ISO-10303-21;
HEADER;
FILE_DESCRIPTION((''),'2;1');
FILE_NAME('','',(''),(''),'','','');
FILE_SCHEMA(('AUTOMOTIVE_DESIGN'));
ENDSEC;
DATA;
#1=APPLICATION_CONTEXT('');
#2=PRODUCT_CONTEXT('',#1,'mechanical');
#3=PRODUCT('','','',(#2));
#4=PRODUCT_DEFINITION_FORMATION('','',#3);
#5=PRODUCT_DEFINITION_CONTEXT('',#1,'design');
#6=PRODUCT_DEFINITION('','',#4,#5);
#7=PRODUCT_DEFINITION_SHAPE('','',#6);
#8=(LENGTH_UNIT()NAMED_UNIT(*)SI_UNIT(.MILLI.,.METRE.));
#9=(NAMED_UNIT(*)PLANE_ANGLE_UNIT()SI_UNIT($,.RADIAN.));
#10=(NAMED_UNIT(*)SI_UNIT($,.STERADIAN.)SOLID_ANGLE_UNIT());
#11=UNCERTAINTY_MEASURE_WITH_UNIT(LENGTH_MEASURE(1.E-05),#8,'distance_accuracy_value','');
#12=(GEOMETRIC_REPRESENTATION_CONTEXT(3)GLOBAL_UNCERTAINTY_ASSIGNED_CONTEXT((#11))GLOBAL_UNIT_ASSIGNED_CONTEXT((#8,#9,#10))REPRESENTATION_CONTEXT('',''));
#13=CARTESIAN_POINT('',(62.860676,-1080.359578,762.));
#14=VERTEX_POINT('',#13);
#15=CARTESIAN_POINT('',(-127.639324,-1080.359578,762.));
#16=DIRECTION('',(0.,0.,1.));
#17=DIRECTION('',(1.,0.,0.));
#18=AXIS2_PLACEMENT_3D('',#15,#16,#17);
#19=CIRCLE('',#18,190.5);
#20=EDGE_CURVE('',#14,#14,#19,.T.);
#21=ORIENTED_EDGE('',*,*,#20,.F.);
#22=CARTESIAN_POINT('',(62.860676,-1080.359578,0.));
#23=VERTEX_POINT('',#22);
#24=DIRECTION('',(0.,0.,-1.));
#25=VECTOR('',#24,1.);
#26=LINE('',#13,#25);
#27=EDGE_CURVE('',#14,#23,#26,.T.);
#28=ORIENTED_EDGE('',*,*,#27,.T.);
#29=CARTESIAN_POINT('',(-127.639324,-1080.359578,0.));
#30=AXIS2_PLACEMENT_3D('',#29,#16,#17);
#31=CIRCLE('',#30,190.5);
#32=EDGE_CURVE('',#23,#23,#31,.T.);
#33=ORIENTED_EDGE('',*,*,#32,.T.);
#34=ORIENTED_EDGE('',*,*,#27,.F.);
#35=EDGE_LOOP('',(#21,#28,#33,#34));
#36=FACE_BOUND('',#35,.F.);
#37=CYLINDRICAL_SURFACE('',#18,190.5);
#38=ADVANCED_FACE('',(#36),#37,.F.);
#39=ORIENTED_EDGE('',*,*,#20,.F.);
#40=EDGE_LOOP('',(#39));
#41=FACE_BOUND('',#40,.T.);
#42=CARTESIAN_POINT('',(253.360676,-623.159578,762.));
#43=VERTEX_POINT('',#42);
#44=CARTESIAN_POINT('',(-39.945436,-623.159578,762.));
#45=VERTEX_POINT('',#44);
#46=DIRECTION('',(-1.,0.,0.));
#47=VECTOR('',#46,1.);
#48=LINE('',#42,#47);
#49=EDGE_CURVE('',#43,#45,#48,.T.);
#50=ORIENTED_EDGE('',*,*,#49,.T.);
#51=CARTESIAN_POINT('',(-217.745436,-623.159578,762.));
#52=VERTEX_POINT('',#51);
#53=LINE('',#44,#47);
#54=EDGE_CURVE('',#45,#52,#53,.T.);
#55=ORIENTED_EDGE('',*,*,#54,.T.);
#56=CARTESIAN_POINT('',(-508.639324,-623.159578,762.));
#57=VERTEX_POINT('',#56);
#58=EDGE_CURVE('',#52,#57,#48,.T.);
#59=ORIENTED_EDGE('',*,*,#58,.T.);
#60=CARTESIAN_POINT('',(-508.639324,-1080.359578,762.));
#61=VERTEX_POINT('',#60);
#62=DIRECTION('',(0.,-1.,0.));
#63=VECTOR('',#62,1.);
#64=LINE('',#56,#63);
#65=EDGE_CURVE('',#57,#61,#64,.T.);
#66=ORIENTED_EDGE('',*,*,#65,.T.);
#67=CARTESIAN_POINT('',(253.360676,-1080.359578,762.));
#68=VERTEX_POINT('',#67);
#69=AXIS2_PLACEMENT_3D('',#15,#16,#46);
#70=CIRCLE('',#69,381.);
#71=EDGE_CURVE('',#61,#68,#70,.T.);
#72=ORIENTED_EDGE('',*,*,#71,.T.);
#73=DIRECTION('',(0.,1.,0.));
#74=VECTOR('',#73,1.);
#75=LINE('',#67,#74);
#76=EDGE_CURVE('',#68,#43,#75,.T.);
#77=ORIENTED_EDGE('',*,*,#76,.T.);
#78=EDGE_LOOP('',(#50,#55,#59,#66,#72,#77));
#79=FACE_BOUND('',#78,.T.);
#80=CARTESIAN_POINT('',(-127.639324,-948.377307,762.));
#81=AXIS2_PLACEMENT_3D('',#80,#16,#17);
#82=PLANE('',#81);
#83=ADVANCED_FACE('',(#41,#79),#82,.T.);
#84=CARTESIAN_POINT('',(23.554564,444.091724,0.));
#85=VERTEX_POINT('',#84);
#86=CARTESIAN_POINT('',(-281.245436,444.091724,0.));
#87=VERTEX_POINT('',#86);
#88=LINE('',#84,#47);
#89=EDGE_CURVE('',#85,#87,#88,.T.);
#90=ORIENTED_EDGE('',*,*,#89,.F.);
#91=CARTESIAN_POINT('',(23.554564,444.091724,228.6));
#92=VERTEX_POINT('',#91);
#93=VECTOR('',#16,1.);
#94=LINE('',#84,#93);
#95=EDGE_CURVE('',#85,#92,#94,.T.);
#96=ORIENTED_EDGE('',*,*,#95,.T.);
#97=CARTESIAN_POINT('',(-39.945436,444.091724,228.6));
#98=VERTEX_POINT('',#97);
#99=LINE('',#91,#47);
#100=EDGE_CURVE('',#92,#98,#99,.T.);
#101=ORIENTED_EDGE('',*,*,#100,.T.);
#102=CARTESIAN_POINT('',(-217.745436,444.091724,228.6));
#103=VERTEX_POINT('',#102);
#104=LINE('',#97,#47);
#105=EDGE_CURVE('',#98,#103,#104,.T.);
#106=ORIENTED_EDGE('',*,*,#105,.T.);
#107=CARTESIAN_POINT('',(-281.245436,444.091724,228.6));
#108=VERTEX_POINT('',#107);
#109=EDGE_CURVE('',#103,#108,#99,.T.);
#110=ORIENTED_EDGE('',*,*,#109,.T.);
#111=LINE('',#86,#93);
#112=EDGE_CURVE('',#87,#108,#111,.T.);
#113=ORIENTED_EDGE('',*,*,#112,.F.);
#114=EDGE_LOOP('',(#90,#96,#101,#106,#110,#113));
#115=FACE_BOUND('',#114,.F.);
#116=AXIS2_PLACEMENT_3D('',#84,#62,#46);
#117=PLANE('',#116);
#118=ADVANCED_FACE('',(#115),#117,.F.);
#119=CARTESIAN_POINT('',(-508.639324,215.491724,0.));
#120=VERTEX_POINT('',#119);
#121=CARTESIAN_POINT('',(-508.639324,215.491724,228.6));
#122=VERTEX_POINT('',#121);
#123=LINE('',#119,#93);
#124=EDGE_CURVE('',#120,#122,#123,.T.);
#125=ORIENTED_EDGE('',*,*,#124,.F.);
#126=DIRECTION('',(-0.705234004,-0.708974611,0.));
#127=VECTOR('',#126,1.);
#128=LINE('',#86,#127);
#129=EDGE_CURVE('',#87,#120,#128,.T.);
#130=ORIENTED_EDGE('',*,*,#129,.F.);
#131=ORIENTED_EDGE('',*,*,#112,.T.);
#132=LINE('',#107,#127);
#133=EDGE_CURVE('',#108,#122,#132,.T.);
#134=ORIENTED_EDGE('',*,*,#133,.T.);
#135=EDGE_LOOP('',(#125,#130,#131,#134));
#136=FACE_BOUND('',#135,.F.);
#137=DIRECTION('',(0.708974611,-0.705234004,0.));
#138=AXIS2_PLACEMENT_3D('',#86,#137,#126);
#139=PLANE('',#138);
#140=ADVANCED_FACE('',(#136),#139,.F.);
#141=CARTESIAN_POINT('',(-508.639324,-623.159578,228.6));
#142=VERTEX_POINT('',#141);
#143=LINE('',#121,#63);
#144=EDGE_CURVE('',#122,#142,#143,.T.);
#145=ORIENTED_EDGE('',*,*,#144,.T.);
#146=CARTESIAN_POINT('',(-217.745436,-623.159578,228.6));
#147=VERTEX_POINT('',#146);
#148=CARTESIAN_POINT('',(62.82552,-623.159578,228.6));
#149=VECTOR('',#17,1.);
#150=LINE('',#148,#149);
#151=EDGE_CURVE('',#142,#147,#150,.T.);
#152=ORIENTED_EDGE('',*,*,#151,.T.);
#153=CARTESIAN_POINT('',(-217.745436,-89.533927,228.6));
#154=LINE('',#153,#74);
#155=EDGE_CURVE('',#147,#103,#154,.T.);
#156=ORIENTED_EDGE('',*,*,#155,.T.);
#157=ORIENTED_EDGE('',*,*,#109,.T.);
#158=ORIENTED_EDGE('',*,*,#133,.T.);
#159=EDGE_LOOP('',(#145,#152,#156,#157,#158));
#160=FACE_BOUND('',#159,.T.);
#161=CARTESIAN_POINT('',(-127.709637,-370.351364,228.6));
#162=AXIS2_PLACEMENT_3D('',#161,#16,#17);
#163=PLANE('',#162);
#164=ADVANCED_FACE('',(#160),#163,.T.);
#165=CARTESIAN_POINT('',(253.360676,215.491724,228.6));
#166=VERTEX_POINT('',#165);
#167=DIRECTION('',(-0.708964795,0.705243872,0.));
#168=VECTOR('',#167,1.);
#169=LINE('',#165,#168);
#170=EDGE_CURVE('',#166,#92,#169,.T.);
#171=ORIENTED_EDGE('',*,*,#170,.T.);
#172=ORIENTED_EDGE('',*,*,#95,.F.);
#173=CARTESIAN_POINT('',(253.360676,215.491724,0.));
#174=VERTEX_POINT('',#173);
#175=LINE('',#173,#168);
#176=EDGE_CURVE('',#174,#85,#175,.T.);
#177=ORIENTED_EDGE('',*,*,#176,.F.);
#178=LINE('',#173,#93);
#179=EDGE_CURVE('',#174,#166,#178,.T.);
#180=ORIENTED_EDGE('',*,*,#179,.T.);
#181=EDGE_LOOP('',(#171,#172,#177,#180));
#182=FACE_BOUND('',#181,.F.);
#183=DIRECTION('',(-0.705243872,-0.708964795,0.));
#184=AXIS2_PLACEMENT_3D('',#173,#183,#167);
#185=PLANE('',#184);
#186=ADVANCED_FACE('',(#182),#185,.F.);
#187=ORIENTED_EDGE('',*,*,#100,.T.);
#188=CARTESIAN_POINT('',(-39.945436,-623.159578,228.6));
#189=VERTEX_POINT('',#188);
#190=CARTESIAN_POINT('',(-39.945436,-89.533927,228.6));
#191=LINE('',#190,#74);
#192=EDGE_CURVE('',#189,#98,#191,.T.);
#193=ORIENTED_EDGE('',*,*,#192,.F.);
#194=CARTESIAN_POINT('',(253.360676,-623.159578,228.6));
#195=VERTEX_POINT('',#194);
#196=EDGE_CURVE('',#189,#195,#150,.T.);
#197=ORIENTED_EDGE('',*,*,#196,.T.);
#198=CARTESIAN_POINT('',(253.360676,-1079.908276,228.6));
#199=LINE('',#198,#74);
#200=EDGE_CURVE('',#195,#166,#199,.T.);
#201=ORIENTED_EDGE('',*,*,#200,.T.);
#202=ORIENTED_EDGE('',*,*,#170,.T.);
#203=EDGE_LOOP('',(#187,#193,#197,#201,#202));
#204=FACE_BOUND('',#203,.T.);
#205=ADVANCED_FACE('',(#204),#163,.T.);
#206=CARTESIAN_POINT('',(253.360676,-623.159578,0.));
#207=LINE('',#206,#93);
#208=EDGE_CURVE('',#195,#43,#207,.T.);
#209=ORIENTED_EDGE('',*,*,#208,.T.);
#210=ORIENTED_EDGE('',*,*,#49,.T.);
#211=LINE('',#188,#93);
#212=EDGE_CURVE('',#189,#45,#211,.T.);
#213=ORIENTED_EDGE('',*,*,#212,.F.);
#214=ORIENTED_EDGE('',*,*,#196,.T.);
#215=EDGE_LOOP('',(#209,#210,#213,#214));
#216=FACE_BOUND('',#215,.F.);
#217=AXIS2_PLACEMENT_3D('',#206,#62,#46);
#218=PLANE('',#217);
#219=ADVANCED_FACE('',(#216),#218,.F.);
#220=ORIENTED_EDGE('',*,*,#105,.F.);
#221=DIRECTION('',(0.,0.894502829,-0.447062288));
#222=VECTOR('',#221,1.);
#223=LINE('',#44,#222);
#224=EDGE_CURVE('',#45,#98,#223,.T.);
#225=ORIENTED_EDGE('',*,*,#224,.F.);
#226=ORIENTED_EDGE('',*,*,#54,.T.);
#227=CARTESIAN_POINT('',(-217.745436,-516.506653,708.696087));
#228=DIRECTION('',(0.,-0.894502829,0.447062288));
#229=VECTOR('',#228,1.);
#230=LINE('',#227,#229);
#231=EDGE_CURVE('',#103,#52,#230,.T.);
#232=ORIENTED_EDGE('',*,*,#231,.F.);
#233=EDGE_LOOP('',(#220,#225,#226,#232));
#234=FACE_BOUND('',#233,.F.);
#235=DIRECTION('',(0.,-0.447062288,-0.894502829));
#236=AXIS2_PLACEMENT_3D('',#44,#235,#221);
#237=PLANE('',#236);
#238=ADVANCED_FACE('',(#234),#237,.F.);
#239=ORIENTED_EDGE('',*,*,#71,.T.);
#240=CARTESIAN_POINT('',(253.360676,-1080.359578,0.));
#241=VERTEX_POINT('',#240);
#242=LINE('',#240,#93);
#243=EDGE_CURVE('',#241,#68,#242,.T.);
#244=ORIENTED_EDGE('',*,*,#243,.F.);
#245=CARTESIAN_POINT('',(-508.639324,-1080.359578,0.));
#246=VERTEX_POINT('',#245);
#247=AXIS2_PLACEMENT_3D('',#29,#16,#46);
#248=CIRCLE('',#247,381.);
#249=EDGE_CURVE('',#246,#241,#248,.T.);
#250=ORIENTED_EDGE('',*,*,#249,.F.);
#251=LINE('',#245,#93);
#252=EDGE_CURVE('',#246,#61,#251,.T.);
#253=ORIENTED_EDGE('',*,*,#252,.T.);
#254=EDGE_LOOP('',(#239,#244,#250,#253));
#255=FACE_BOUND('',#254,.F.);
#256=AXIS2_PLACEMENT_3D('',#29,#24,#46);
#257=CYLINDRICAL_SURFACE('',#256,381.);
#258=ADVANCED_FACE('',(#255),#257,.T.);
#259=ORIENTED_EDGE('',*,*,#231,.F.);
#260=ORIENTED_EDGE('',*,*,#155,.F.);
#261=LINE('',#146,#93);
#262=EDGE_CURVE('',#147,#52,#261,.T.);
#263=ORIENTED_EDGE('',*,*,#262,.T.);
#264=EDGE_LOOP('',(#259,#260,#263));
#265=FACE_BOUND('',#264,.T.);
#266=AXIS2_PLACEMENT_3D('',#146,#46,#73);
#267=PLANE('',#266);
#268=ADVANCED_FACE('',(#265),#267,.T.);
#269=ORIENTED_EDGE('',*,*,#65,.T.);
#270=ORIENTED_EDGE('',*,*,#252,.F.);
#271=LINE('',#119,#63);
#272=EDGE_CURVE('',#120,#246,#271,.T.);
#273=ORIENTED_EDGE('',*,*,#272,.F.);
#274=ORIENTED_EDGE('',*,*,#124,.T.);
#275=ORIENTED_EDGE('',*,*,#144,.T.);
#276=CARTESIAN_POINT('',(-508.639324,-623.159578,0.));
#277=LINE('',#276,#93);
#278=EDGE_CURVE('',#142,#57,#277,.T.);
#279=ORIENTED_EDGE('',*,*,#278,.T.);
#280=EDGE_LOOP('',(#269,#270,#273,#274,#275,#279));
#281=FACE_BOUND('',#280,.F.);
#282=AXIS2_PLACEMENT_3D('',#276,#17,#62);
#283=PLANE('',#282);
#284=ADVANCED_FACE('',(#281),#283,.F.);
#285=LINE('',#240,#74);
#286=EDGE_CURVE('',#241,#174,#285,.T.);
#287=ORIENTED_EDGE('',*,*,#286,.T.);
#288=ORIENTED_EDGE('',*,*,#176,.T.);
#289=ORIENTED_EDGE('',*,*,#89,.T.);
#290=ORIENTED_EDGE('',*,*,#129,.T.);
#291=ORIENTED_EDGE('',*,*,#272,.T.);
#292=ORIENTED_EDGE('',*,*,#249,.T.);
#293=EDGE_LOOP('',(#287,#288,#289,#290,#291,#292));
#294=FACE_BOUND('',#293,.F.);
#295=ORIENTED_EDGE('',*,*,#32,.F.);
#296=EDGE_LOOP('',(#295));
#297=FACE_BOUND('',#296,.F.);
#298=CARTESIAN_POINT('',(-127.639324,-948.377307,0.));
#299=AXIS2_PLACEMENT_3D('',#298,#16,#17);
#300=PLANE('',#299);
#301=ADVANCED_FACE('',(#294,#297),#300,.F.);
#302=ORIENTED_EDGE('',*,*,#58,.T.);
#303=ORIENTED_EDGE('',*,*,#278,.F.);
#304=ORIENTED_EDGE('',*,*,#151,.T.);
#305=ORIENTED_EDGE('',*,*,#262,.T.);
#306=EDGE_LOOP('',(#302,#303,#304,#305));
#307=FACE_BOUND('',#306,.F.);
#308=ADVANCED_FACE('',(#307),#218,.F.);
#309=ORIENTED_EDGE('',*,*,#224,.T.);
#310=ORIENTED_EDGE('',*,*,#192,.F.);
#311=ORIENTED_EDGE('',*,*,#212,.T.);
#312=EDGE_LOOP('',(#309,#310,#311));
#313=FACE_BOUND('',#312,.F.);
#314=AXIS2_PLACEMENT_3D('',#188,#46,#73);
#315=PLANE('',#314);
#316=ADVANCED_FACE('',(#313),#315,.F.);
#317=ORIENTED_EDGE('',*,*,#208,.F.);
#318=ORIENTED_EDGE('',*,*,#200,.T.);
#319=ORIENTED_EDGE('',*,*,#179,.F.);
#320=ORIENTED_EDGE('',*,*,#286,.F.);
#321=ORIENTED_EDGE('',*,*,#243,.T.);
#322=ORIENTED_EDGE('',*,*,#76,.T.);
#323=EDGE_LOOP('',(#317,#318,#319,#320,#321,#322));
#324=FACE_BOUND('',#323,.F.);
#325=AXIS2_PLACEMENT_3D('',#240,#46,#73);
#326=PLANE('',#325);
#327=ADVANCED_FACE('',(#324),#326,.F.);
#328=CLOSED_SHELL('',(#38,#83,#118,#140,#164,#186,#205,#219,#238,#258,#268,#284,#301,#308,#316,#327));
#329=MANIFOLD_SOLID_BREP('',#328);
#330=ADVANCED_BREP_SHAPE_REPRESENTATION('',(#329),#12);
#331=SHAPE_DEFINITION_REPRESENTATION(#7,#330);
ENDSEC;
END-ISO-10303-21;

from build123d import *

# Parameters (mm, degrees)
F2_DEPTH = 228.6
F3_DEPTH = 762
F4_W     = 177.8
F4_H     = 1067.2513021181
F5_DEPTH = 533.4
F7_DEPTH = 3810
F8_R     = 190.5
F9_DEPTH = 1143


with BuildPart() as f2:
    # F0 (on Top) → F2 (new body)
    with BuildSketch(Plane.XY):
        Polygon((23.5545643418, 444.0917239854), (-281.2454356582, 444.0917239854), (-508.6393237951, 215.4917239854), (-508.6393237951, -1079.9082760146), (253.3606762049, -1079.9082760146), (253.3606762049, 215.4917239854), align=None)
    extrude(amount=F2_DEPTH)

    # F1 (on Top) → F3 (join)
    with BuildSketch(Plane.XY):
        with BuildLine():
            Line((-508.6393237951, -1080.3595781326), (253.3606762049, -1080.3595781326))
            ThreePointArc((253.3606762049, -1080.3595781326), (-127.6393237951, -699.3595781326), (-508.6393237951, -1080.3595781326))
        make_face()
        with BuildLine():
            ThreePointArc((-508.6393237951, -1080.3595781326), (-127.6393237951, -1461.3595781326), (253.3606762049, -1080.3595781326))
            Line((253.3606762049, -1080.3595781326), (-508.6393237951, -1080.3595781326))
        make_face()
        with BuildLine():
            ThreePointArc((-508.6393237951, -1080.3595781326), (-127.6393237951, -699.3595781326), (253.3606762049, -1080.3595781326))
            Line((253.3606762049, -1080.3595781326), (253.3606762049, -623.1595781326))
            Line((253.3606762049, -623.1595781326), (-508.6393237951, -623.1595781326))
            Line((-508.6393237951, -623.1595781326), (-508.6393237951, -1080.3595781326))
        make_face()
    extrude(amount=F3_DEPTH)

    # F4 (on face) → F5 (join)
    with BuildSketch(Plane.XY.offset(228.6)):
        with Locations((-128.8454356582, -89.5339270736)):
            Rectangle(F4_W, F4_H)
    extrude(amount=F5_DEPTH)

    # F6 (on face) → F7 (cut)
    with BuildSketch(Plane.YZ.offset(-39.9454356582)):
        Polygon((444.0917239854, 762), (-623.1595781326, 762), (444.0917239854, 228.6), align=None)
    extrude(amount=-F7_DEPTH, mode=Mode.SUBTRACT)

    # F8 (on face) → F9 (cut)
    with BuildSketch(Plane.XY.offset(762)):
        with Locations((-127.6393237951, -1080.3595781326)):
            Circle(F8_R)
    extrude(amount=-F9_DEPTH, mode=Mode.SUBTRACT)


solid = f2.part
